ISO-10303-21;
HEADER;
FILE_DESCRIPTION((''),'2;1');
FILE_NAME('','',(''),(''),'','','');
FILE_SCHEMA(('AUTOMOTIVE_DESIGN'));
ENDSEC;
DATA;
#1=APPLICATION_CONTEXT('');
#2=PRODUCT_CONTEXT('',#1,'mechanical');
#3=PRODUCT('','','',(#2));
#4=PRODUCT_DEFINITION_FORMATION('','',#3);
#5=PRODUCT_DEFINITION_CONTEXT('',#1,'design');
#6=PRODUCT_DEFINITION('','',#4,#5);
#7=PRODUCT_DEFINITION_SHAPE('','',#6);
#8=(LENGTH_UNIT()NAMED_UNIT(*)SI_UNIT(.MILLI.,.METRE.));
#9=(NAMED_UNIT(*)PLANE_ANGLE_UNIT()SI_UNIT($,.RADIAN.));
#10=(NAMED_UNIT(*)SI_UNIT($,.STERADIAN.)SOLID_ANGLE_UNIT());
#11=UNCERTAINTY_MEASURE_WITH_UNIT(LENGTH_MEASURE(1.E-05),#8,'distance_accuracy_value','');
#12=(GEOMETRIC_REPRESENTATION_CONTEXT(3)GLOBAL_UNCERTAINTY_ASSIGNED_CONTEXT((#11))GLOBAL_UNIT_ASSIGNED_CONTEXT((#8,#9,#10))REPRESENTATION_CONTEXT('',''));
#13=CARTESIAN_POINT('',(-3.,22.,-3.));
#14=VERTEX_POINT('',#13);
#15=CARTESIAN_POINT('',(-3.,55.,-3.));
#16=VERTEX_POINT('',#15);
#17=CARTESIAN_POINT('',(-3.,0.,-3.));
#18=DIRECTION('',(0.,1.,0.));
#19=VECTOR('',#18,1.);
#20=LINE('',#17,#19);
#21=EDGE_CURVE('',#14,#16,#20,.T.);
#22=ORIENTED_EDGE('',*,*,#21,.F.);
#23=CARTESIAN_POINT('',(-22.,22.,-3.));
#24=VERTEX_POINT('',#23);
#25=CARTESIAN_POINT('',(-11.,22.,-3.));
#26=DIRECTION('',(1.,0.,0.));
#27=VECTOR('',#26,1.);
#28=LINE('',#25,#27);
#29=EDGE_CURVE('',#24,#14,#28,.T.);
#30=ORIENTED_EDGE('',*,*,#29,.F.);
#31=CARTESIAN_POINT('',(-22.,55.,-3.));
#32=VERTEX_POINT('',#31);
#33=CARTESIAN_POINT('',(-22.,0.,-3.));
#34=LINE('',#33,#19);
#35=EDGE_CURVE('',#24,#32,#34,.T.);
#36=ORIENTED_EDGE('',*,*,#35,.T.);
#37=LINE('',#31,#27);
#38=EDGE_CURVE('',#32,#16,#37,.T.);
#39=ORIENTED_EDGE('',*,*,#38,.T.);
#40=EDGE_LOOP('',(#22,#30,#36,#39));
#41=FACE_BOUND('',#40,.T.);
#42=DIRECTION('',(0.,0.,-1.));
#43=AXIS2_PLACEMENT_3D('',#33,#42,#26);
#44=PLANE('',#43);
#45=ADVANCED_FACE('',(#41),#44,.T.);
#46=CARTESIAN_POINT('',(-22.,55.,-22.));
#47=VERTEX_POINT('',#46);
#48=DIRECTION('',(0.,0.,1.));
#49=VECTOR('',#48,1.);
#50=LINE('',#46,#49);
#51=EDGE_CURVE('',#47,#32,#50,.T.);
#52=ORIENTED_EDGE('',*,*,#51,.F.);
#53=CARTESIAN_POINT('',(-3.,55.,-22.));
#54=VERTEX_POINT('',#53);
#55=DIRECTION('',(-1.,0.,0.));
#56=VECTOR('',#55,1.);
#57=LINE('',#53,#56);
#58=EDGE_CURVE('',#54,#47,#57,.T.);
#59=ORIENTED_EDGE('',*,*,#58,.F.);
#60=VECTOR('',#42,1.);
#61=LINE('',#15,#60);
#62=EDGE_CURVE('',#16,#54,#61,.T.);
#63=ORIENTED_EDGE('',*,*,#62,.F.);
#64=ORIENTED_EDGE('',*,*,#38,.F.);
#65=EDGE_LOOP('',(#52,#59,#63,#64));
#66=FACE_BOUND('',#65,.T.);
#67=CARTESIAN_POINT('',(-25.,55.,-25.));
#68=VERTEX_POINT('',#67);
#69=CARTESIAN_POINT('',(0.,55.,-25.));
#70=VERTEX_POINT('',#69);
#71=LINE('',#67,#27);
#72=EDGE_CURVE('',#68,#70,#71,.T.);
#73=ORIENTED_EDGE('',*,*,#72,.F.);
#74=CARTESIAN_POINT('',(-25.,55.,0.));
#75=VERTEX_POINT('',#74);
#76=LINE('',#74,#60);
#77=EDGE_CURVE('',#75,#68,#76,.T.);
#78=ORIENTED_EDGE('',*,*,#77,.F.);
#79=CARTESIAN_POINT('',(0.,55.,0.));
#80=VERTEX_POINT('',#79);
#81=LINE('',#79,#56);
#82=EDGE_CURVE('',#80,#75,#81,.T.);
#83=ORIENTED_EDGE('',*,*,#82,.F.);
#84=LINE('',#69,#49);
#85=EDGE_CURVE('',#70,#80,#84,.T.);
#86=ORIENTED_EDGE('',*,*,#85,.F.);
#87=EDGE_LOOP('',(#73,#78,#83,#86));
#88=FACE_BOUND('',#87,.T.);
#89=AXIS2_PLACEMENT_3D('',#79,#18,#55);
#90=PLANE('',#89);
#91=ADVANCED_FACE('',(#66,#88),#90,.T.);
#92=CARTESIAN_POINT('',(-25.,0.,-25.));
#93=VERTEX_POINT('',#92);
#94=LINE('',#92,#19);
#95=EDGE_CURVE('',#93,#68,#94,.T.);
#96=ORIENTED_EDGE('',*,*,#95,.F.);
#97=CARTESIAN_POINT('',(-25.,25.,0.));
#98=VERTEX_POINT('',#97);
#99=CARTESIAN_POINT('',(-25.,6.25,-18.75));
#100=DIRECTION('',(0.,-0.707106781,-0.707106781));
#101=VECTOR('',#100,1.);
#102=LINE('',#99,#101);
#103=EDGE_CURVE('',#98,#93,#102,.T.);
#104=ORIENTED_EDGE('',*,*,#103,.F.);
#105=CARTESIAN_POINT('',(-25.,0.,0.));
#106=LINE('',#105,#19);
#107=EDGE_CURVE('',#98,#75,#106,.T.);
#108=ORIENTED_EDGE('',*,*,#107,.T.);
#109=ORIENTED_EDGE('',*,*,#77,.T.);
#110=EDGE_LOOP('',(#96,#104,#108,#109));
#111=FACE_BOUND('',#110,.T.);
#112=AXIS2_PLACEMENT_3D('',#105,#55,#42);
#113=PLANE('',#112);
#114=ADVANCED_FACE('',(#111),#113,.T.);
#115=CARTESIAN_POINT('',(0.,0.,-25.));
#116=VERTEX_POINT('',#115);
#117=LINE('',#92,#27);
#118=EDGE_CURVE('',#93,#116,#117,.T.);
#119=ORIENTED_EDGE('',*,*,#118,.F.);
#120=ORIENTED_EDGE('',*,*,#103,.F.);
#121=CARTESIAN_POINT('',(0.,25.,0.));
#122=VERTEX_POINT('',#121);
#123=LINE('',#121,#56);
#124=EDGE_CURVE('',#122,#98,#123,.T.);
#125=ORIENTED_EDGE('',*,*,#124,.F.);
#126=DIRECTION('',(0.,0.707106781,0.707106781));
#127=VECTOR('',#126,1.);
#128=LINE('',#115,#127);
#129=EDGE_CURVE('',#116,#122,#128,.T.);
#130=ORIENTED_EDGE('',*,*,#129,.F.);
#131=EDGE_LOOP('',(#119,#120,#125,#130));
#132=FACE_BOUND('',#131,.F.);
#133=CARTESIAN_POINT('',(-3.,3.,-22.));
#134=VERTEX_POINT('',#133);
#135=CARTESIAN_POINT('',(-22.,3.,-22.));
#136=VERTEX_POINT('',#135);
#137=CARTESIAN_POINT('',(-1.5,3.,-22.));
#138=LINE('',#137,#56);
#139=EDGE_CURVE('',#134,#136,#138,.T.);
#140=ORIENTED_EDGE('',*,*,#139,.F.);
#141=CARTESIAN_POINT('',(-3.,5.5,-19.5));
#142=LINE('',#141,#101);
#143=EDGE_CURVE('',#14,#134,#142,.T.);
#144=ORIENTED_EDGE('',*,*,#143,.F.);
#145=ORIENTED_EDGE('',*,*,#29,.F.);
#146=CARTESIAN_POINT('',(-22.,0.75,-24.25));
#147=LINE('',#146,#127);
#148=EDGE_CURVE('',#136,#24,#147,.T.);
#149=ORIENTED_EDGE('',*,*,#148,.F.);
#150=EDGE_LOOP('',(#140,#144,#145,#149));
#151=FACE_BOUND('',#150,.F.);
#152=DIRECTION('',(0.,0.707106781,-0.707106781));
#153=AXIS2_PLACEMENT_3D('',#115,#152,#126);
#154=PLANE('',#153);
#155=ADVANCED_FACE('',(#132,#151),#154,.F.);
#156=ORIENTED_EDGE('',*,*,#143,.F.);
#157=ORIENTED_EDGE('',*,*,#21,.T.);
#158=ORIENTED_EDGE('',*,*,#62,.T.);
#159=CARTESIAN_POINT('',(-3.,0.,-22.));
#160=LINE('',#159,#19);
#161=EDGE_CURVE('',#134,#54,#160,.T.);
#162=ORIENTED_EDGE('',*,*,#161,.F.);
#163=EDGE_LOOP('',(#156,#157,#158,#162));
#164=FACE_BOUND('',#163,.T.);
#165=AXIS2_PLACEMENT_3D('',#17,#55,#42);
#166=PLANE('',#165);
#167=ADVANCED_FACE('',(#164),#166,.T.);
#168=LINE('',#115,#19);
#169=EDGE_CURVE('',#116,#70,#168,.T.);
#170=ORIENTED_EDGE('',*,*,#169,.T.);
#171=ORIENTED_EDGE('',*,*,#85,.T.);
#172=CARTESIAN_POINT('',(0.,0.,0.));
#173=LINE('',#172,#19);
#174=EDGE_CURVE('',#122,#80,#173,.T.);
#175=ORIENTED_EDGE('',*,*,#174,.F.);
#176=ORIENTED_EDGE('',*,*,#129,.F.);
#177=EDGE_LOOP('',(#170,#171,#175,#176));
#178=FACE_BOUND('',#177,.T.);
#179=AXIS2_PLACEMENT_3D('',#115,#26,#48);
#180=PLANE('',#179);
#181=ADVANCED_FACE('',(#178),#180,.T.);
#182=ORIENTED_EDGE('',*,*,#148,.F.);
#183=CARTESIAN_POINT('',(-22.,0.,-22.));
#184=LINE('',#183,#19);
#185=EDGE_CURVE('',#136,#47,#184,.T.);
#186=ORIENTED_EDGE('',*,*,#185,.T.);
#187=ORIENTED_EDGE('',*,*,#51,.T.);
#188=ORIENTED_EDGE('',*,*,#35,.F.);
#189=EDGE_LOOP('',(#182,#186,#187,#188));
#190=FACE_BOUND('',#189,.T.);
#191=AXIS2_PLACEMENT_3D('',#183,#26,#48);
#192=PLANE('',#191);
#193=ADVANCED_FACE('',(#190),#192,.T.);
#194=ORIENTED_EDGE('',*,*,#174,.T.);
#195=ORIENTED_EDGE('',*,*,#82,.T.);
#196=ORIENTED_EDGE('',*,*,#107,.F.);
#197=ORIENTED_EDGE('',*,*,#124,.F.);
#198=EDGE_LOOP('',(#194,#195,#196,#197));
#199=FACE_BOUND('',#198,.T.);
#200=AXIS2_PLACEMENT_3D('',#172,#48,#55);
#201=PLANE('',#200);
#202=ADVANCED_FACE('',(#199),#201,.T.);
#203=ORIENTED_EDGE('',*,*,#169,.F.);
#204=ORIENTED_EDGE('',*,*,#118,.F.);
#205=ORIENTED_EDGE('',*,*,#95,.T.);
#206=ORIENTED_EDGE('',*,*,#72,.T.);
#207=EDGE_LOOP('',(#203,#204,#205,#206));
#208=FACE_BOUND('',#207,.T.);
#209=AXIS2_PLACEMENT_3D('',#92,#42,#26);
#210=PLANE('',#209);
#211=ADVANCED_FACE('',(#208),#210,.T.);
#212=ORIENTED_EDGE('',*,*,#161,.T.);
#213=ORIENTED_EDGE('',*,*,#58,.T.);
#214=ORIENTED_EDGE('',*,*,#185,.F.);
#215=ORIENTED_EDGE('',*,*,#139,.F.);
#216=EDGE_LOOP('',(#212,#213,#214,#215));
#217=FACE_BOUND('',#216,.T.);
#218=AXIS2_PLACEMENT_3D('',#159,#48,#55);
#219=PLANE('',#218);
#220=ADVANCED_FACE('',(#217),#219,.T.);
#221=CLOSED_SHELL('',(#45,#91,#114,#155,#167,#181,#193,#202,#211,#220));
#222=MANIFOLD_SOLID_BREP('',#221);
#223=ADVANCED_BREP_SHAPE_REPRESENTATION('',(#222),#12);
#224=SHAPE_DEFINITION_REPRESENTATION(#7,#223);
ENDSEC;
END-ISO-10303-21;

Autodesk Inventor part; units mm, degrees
ref_plane "YZ Plane" through (0, 0, 0) normal (1, 0, 0) x (0, 1, 0)
ref_plane "XZ Plane" through (0, 0, 0) normal (0, 1, 0) x (-1, 0, 0)
ref_plane "XY Plane" through (0, 0, 0) normal (0, 0, 1) x (1, 0, 0)
sketch "Sketch1" plane through (0, 0, 0) normal (0, 1, 0) x (-1, 0, 0)
  line L0 (0, 0) -> (25, 0)
  line L1 (25, 0) -> (25, -25)
  line L2 (25, -25) -> (0, -25)
  line L3 (0, -25) -> (0, 0)
  line L4 (22, -22) -> (22, -3)
  line L5 (22, -3) -> (3, -3)
  line L6 (3, -3) -> (3, -22)
  line L7 (3, -22) -> (22, -22)
  dimension "d0" = 25
  dimension "d1" = 25
  dimension "d2" = 3
extrude "Extrusion1" add sketch "Sketch1" along normal blind 55
sketch "Sketch2" plane through (0, 0, 0) normal (1, 0, 0) x (0, 0, -1)
  line L0 (0, 0) -> (25, 0) projected
  line L1 (25, 0) -> (25, 55) projected
  line L2 (0, 55) -> (25, 55) projected
  line L3 (0, 0) -> (0, 55) projected
  line L4 (25, 0) -> (25, 55) projected
  line L5 (25, 0) -> (0, 25)
  line L6 (0, 0) -> (0, 55) projected
  dimension "d5" = 45
extrude "Extrusion2" cut sketch "Sketch2" against normal blind 55 contours L3 L5 L0
properties part number "P410" material "Aluminum 6061"
